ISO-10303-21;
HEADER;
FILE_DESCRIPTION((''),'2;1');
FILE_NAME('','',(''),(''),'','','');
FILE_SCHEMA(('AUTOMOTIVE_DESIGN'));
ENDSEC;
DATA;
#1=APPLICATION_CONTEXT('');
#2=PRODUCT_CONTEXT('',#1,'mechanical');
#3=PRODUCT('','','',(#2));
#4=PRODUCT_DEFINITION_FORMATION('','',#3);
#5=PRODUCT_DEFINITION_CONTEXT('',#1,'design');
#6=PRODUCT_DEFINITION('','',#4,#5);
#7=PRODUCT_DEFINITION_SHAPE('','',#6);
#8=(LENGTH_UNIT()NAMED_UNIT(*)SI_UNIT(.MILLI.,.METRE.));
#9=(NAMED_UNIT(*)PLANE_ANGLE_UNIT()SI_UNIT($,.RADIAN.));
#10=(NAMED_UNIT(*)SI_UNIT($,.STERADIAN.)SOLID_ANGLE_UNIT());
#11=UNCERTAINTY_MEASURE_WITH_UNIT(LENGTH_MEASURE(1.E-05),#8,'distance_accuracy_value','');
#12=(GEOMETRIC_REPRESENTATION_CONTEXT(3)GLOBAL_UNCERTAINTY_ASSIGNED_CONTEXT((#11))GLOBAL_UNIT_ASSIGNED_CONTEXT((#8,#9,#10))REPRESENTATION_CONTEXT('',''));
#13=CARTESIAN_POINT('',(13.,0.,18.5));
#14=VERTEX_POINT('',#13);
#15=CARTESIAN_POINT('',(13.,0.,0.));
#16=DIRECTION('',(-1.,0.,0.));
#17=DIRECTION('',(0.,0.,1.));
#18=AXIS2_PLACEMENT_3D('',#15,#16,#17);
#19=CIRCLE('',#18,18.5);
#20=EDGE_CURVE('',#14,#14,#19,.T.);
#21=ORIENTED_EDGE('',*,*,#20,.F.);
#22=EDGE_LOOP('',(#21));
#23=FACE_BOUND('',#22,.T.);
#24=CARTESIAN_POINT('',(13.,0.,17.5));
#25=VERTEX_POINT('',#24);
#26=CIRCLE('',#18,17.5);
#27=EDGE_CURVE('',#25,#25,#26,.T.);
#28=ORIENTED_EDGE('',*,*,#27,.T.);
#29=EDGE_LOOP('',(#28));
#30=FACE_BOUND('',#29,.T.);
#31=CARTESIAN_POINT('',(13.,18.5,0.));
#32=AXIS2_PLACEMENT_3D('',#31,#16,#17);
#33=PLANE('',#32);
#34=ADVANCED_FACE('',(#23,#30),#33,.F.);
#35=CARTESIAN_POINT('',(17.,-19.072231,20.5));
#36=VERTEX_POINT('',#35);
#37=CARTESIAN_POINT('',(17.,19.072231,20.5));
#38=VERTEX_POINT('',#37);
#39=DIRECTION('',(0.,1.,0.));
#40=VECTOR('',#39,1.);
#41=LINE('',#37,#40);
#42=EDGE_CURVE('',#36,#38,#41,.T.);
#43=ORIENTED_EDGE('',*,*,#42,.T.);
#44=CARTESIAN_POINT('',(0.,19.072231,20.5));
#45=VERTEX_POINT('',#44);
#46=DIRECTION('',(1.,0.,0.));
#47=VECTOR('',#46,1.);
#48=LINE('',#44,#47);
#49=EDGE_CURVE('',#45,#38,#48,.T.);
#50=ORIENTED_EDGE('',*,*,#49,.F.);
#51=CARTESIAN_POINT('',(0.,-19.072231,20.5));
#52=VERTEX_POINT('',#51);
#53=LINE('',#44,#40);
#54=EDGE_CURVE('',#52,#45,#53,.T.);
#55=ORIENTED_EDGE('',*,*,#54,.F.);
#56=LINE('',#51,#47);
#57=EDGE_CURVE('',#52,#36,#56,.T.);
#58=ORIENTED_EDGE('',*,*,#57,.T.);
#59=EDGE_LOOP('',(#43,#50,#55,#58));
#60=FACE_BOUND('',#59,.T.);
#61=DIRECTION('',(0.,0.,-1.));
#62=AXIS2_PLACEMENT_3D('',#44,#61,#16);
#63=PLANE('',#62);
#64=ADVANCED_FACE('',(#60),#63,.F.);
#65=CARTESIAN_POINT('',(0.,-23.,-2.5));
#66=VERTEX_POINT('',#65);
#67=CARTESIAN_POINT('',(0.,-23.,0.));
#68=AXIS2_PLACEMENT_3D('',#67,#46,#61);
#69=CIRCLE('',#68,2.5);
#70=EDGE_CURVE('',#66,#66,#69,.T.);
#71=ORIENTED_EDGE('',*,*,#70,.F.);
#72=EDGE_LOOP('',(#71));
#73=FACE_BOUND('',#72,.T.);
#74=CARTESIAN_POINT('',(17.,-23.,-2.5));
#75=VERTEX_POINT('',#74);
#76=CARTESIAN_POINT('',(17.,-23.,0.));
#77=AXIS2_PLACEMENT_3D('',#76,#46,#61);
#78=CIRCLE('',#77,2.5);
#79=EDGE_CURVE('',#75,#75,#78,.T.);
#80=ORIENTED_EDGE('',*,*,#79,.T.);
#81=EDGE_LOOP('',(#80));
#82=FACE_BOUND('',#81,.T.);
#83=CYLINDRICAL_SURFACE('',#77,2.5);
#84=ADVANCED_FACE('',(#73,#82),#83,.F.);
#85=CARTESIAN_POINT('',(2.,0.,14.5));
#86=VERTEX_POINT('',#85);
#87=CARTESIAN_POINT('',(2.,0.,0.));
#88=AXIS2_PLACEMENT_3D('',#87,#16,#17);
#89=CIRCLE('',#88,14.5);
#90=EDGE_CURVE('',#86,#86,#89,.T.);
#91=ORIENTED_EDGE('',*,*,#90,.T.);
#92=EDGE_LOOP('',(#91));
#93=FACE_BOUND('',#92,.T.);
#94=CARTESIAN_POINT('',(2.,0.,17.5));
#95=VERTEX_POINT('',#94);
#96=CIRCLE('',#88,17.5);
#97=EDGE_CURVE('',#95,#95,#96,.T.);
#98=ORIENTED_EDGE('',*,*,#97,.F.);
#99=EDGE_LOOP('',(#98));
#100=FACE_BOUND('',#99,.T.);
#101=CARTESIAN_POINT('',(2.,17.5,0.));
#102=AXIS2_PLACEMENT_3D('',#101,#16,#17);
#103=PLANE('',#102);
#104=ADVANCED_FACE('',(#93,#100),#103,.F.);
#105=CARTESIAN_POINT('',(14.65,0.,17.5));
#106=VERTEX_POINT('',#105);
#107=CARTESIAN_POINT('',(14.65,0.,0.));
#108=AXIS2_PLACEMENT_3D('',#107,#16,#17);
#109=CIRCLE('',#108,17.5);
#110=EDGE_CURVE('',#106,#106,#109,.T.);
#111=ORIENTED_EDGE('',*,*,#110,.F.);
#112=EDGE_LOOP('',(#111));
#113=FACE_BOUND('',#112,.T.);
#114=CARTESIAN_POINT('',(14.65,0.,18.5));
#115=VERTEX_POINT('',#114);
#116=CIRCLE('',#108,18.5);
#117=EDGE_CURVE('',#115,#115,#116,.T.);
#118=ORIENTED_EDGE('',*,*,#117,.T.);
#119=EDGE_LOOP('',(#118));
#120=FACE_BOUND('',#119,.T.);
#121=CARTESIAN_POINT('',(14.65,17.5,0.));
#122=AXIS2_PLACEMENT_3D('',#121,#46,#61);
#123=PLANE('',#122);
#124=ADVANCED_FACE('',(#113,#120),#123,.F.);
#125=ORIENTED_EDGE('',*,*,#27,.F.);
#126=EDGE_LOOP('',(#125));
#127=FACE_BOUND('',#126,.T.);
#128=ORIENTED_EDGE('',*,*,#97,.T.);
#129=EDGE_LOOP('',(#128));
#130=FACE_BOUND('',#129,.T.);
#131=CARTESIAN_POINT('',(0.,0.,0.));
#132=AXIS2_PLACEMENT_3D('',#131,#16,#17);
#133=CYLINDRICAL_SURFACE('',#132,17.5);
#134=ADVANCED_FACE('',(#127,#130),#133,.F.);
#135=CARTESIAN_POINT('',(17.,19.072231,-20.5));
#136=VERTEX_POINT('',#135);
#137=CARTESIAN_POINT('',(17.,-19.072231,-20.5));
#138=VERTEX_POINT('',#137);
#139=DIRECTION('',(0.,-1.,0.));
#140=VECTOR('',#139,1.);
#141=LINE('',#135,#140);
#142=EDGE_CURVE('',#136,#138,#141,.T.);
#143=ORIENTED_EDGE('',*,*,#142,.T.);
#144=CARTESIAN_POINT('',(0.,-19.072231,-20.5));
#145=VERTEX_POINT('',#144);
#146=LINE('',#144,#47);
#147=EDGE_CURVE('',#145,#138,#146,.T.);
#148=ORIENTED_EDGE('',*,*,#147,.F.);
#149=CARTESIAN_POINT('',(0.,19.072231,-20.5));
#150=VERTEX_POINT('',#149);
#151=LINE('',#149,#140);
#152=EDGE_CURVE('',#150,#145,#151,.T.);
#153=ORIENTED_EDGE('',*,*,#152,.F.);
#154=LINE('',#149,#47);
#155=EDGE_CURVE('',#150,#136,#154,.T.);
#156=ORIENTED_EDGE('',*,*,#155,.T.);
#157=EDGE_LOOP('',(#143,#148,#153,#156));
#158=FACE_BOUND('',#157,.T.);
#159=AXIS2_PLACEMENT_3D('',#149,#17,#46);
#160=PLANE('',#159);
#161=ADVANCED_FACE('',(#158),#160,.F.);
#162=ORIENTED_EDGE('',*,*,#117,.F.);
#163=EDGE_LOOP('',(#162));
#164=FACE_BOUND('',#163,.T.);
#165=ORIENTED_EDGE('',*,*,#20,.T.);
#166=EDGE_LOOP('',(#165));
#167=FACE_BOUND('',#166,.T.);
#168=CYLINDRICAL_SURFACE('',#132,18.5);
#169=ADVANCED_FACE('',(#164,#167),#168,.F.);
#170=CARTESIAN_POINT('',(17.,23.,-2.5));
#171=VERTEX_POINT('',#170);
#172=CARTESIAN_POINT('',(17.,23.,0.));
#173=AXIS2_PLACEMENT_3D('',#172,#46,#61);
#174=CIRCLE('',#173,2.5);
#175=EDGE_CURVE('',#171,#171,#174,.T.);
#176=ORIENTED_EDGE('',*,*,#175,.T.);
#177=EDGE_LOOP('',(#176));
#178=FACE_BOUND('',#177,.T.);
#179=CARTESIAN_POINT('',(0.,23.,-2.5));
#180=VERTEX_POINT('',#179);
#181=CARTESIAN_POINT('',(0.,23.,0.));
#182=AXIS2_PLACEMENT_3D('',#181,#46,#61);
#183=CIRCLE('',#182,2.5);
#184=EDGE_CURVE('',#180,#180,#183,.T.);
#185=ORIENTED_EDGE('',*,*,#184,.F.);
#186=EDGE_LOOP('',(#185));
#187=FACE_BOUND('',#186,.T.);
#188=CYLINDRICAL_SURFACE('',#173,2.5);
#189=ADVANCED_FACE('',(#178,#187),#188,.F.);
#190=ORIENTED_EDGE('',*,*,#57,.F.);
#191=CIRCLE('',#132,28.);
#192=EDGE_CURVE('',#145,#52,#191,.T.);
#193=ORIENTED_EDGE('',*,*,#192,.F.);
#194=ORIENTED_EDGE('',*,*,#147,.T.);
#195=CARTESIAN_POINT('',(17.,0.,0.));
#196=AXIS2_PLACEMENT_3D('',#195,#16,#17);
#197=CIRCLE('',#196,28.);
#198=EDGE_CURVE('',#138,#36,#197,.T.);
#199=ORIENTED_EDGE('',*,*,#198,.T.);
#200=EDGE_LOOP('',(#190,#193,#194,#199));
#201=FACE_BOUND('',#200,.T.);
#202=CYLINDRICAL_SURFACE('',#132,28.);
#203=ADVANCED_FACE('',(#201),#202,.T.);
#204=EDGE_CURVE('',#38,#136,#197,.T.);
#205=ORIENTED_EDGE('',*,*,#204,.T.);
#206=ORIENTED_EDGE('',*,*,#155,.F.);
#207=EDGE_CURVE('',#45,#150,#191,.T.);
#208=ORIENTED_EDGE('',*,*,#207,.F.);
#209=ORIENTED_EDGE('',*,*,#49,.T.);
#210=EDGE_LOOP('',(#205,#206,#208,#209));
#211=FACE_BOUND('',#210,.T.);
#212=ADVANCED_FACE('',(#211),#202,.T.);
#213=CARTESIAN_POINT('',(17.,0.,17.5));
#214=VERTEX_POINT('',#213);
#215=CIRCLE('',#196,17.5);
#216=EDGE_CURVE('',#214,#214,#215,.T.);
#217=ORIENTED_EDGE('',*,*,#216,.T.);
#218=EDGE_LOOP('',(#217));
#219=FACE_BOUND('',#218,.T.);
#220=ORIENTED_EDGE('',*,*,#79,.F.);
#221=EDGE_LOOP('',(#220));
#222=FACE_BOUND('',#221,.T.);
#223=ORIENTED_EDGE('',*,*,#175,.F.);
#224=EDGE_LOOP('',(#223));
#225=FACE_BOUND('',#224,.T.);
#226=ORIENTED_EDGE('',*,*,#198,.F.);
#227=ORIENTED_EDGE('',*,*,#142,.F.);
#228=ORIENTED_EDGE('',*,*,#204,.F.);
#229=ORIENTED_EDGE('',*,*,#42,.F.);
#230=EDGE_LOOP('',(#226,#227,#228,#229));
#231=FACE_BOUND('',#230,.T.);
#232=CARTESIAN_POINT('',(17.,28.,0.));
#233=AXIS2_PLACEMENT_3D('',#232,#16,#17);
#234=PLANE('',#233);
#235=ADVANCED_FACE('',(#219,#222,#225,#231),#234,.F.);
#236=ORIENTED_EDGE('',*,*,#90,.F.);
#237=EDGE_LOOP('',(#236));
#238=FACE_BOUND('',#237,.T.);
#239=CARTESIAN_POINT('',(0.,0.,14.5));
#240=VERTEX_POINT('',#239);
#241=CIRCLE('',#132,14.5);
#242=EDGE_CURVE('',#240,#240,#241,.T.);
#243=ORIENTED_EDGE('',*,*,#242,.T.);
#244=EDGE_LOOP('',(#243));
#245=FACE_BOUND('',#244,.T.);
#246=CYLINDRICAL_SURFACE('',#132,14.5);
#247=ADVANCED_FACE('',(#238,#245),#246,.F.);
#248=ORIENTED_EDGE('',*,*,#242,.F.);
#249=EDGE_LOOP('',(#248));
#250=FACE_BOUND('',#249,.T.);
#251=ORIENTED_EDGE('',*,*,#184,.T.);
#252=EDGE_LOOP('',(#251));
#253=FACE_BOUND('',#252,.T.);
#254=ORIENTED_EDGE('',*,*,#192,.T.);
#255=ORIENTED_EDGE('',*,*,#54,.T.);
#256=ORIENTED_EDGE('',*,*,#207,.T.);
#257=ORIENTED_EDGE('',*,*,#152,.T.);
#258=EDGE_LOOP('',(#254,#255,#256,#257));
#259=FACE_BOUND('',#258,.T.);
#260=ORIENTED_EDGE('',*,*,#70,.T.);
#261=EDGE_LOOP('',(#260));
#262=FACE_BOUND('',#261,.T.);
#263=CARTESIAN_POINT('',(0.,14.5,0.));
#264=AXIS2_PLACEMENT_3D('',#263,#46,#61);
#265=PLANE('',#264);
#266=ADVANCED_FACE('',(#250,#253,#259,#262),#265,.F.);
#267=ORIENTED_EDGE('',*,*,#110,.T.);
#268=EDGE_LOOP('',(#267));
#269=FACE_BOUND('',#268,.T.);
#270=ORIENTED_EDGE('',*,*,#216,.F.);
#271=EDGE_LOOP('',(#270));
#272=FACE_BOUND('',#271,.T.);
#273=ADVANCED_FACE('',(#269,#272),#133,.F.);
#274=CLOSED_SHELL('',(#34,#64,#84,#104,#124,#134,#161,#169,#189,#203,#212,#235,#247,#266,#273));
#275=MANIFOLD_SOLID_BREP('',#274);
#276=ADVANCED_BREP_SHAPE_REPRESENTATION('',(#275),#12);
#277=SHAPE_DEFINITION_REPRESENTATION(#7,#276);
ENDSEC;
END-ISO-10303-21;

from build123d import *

# Parameters (mm, degrees)
CUT_EXTRUDE1_DEPTH = 44.092922853
TAPPED_HOLE1_D     = 5


with BuildPart() as part:
    # Sketch1 → Revolve1 (revolve)
    with BuildSketch(Plane.XY, mode=Mode.PRIVATE) as revolve1_sk:
        Polygon((0, 28), (17, 28), (17, 17.5), (14.65, 17.5), (14.65, 18.5), (13, 18.5), (13, 17.5), (2, 17.5), (2, 14.5), (0, 14.5), align=None)
    revolve(revolve1_sk.sketch.rotate(Axis((0, 0, 0), (1, 0, 0)), 90), axis=Axis((0, 0, 0), (1, 0, 0)))

    # Sketch2 → Cut-Extrude1 (cut, through all)
    with BuildSketch(Plane(origin=(17, 0, 0), x_dir=(0, 0, -1), z_dir=(1, 0, 0))):
        with BuildLine():
            Line((-20.5, 19.072231123), (-20.5, -19.072231123))
            ThreePointArc((-20.5, -19.072231123), (-28, 0), (-20.5, 19.072231123))
        make_face()
        with BuildLine():
            Line((20.5, 19.072231123), (20.5, -19.072231123))
            ThreePointArc((20.5, -19.072231123), (28, 0), (20.5, 19.072231123))
        make_face()
    extrude(amount=-CUT_EXTRUDE1_DEPTH, mode=Mode.SUBTRACT)

    # Tapped Hole1 (through all)
    with Locations(Plane(origin=(17, 0, 0), x_dir=(0, 0, -1), z_dir=(1, 0, 0))):
        with Locations((0, 23), (0, -23)):
            Hole(TAPPED_HOLE1_D / 2)


solid = part.part
